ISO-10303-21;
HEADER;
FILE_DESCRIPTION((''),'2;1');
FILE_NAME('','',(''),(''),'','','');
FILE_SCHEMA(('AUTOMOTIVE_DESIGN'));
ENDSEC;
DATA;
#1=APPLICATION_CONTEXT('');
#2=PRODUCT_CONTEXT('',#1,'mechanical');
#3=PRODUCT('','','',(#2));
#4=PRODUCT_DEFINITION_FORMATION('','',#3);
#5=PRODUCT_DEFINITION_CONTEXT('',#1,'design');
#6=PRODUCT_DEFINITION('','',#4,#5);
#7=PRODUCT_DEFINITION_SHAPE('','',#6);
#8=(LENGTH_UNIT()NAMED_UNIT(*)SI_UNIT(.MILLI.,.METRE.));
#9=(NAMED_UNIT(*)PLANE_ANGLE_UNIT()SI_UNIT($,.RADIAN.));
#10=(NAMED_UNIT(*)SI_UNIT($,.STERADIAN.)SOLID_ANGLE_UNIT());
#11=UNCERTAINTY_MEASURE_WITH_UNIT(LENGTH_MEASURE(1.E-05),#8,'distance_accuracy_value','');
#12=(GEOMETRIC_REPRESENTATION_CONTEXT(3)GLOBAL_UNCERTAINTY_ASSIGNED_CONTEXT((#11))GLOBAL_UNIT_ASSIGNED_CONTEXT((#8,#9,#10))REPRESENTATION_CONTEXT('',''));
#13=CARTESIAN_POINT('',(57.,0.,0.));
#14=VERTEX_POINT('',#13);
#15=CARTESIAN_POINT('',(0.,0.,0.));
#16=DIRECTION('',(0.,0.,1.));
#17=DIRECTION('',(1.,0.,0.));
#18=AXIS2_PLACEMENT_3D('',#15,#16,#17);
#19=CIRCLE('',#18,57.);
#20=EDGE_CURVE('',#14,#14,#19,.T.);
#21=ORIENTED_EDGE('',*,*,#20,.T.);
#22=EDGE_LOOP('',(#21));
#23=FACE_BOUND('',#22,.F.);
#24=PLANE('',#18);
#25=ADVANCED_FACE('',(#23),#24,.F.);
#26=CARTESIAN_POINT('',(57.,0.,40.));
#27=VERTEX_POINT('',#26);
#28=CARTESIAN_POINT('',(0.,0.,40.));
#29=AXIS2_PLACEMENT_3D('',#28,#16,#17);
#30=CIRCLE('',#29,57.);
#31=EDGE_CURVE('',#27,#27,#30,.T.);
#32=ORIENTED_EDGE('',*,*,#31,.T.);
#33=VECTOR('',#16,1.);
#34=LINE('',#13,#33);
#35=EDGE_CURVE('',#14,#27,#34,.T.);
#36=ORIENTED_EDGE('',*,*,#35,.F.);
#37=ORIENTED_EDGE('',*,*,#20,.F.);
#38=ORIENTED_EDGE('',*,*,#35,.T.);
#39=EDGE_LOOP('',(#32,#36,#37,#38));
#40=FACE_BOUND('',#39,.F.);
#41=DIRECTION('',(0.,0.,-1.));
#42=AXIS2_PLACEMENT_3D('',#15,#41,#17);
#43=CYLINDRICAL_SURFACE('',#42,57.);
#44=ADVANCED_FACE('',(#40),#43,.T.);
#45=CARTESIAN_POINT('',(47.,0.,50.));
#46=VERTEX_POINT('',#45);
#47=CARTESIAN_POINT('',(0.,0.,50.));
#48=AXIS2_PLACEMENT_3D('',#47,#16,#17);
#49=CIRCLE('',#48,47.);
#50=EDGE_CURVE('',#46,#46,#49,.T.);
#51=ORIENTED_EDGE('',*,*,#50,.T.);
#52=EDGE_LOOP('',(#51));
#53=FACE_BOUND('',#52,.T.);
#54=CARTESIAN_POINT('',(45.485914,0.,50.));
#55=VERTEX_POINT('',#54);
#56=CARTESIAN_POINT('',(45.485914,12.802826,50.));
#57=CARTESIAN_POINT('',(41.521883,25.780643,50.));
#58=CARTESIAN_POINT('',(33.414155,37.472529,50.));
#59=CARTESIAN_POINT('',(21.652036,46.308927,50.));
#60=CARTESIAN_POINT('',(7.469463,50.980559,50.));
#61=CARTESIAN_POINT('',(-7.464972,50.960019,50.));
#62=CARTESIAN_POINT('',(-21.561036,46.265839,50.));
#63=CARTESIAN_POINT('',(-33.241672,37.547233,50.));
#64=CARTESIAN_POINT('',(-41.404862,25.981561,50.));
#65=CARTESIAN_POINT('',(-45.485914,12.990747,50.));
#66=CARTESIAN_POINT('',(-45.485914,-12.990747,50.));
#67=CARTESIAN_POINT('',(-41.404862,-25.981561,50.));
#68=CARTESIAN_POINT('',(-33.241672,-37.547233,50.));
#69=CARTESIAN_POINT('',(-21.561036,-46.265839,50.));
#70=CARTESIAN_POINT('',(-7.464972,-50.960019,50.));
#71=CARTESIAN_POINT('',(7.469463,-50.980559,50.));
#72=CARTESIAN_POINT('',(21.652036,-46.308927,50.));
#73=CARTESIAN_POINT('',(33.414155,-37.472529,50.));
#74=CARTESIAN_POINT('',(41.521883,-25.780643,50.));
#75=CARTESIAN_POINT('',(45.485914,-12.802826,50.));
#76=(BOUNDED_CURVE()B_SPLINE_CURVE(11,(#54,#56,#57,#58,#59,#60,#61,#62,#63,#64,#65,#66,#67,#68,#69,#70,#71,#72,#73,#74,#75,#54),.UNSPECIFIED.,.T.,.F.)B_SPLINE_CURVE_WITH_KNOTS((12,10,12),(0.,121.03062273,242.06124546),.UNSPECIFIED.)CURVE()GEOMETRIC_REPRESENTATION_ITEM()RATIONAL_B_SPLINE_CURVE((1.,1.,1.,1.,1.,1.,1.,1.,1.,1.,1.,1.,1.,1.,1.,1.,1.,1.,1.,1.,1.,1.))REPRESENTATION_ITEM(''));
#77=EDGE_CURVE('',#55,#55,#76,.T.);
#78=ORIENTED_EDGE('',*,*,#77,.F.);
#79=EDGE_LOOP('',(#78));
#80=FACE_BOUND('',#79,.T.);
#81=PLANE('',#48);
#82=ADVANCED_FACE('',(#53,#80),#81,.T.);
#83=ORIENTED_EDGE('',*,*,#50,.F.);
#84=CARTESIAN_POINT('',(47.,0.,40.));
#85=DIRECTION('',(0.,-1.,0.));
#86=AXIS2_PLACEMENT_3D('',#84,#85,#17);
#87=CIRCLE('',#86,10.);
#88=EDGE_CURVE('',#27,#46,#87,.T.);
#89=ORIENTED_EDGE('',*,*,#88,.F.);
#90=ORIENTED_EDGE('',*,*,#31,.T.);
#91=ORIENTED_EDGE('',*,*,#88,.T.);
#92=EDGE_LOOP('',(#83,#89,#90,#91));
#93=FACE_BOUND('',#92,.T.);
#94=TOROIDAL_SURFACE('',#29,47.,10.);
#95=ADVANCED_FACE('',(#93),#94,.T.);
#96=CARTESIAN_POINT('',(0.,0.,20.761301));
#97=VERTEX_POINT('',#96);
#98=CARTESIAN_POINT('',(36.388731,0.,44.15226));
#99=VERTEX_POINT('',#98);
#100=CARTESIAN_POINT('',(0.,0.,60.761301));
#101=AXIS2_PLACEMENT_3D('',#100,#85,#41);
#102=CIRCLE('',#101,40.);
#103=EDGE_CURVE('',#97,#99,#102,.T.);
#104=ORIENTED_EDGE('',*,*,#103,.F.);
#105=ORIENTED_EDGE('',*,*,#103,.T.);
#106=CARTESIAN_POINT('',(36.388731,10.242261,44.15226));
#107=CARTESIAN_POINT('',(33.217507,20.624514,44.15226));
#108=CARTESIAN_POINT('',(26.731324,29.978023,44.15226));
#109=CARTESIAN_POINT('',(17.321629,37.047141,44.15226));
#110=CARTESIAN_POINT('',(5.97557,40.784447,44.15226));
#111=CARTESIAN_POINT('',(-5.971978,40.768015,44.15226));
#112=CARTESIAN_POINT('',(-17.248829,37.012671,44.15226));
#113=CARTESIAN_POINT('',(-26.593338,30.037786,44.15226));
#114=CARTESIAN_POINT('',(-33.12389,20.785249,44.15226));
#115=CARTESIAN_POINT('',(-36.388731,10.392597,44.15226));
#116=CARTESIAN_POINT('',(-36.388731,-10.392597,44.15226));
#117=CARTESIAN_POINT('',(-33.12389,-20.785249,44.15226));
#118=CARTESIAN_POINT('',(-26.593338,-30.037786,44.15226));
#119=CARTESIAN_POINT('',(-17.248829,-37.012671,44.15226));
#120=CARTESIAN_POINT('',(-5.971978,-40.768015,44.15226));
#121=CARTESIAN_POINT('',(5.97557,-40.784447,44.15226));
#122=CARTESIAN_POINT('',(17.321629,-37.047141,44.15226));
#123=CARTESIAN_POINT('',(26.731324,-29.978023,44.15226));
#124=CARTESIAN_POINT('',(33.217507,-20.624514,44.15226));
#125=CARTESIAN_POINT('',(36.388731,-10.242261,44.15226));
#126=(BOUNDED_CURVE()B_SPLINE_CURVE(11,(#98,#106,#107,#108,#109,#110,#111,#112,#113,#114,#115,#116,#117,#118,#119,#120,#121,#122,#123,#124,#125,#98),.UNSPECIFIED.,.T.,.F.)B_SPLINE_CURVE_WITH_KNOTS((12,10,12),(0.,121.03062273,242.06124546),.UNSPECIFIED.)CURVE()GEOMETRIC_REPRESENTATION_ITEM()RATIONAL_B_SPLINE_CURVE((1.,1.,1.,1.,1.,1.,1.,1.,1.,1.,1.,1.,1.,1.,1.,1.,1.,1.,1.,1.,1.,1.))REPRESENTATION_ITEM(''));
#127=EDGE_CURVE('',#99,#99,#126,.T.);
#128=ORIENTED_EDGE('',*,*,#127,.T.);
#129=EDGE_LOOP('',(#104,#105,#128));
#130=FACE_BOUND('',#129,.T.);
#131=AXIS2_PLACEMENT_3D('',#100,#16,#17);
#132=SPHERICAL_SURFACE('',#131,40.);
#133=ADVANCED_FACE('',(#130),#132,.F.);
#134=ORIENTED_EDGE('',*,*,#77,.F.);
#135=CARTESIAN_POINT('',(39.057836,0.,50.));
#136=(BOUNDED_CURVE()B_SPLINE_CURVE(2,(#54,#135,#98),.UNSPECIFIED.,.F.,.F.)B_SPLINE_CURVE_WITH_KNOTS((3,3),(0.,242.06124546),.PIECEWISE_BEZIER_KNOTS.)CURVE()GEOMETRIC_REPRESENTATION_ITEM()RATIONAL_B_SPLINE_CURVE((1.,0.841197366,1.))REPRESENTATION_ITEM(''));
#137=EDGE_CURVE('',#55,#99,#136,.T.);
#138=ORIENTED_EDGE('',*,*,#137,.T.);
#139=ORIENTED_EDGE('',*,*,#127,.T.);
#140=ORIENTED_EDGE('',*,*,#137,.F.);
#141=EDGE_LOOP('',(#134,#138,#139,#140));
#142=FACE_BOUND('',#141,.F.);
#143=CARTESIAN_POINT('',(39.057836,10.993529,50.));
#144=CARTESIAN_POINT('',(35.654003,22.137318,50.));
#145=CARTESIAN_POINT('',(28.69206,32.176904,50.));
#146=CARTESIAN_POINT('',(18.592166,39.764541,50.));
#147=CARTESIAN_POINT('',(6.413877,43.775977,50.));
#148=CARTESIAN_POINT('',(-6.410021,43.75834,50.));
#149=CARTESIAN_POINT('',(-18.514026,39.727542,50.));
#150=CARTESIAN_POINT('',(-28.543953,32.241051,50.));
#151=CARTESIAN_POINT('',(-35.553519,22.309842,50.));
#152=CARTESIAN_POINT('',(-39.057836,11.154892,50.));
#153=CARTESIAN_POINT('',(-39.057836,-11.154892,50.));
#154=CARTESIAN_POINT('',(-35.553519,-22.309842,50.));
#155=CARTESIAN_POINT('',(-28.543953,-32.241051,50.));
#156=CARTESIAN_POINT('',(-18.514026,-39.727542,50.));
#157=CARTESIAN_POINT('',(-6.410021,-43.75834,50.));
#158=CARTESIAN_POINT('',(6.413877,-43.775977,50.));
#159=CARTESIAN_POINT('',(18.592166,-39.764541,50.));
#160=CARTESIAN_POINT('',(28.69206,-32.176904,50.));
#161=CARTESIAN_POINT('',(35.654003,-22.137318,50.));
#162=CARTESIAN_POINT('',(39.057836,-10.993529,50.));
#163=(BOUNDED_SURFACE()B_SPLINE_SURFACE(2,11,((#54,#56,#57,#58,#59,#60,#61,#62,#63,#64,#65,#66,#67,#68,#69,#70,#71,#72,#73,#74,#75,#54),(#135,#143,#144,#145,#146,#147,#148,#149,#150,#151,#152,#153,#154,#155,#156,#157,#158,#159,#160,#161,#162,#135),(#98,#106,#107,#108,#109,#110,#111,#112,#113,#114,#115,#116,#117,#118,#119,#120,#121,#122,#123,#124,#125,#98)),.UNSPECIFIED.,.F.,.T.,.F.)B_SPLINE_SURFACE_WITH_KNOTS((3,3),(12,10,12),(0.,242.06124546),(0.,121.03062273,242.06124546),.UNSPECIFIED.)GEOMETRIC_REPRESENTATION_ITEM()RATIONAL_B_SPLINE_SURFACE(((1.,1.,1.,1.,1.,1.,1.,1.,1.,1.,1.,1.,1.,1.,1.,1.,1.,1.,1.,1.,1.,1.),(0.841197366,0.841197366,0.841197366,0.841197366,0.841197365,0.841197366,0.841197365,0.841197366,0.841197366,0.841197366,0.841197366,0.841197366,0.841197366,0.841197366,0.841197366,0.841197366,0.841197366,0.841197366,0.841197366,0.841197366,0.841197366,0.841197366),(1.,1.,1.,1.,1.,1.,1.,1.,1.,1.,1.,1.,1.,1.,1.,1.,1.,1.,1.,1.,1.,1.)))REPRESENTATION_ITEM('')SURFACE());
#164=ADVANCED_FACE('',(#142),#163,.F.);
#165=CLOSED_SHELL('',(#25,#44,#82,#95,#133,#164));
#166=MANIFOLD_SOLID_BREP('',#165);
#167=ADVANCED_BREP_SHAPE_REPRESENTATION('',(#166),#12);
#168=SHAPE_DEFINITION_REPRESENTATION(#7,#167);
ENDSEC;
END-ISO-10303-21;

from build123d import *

# Parameters (mm, degrees)
F0_R     = 57
F2_DEPTH = 50
F4_R     = 10


with BuildPart() as f2:
    # F0 (on Top) → F2 (new body)
    with BuildSketch(Plane.XY):
        Circle(F0_R)
    extrude(amount=F2_DEPTH)

    # F1 (on Front) → F3 (revolve, cut)
    with BuildSketch(Plane.XZ):
        with BuildLine():
            Line((0, 100.7613007724), (0, 20.7613007724))
            ThreePointArc((0, 20.7613007724), (40, 60.7613007724), (0, 100.7613007724))
        make_face()
    revolve(axis=Axis((0, 0, 40.7613007724), (0, 0, -1)), mode=Mode.SUBTRACT)

    # F4
    f4_edges = [f2.edges().sort_by_distance(p)[0] for p in [
        (-57, 0, 50),
        (-38.525244, 0, 50),
    ]]
    fillet(f4_edges, radius=F4_R)


solid = f2.part
